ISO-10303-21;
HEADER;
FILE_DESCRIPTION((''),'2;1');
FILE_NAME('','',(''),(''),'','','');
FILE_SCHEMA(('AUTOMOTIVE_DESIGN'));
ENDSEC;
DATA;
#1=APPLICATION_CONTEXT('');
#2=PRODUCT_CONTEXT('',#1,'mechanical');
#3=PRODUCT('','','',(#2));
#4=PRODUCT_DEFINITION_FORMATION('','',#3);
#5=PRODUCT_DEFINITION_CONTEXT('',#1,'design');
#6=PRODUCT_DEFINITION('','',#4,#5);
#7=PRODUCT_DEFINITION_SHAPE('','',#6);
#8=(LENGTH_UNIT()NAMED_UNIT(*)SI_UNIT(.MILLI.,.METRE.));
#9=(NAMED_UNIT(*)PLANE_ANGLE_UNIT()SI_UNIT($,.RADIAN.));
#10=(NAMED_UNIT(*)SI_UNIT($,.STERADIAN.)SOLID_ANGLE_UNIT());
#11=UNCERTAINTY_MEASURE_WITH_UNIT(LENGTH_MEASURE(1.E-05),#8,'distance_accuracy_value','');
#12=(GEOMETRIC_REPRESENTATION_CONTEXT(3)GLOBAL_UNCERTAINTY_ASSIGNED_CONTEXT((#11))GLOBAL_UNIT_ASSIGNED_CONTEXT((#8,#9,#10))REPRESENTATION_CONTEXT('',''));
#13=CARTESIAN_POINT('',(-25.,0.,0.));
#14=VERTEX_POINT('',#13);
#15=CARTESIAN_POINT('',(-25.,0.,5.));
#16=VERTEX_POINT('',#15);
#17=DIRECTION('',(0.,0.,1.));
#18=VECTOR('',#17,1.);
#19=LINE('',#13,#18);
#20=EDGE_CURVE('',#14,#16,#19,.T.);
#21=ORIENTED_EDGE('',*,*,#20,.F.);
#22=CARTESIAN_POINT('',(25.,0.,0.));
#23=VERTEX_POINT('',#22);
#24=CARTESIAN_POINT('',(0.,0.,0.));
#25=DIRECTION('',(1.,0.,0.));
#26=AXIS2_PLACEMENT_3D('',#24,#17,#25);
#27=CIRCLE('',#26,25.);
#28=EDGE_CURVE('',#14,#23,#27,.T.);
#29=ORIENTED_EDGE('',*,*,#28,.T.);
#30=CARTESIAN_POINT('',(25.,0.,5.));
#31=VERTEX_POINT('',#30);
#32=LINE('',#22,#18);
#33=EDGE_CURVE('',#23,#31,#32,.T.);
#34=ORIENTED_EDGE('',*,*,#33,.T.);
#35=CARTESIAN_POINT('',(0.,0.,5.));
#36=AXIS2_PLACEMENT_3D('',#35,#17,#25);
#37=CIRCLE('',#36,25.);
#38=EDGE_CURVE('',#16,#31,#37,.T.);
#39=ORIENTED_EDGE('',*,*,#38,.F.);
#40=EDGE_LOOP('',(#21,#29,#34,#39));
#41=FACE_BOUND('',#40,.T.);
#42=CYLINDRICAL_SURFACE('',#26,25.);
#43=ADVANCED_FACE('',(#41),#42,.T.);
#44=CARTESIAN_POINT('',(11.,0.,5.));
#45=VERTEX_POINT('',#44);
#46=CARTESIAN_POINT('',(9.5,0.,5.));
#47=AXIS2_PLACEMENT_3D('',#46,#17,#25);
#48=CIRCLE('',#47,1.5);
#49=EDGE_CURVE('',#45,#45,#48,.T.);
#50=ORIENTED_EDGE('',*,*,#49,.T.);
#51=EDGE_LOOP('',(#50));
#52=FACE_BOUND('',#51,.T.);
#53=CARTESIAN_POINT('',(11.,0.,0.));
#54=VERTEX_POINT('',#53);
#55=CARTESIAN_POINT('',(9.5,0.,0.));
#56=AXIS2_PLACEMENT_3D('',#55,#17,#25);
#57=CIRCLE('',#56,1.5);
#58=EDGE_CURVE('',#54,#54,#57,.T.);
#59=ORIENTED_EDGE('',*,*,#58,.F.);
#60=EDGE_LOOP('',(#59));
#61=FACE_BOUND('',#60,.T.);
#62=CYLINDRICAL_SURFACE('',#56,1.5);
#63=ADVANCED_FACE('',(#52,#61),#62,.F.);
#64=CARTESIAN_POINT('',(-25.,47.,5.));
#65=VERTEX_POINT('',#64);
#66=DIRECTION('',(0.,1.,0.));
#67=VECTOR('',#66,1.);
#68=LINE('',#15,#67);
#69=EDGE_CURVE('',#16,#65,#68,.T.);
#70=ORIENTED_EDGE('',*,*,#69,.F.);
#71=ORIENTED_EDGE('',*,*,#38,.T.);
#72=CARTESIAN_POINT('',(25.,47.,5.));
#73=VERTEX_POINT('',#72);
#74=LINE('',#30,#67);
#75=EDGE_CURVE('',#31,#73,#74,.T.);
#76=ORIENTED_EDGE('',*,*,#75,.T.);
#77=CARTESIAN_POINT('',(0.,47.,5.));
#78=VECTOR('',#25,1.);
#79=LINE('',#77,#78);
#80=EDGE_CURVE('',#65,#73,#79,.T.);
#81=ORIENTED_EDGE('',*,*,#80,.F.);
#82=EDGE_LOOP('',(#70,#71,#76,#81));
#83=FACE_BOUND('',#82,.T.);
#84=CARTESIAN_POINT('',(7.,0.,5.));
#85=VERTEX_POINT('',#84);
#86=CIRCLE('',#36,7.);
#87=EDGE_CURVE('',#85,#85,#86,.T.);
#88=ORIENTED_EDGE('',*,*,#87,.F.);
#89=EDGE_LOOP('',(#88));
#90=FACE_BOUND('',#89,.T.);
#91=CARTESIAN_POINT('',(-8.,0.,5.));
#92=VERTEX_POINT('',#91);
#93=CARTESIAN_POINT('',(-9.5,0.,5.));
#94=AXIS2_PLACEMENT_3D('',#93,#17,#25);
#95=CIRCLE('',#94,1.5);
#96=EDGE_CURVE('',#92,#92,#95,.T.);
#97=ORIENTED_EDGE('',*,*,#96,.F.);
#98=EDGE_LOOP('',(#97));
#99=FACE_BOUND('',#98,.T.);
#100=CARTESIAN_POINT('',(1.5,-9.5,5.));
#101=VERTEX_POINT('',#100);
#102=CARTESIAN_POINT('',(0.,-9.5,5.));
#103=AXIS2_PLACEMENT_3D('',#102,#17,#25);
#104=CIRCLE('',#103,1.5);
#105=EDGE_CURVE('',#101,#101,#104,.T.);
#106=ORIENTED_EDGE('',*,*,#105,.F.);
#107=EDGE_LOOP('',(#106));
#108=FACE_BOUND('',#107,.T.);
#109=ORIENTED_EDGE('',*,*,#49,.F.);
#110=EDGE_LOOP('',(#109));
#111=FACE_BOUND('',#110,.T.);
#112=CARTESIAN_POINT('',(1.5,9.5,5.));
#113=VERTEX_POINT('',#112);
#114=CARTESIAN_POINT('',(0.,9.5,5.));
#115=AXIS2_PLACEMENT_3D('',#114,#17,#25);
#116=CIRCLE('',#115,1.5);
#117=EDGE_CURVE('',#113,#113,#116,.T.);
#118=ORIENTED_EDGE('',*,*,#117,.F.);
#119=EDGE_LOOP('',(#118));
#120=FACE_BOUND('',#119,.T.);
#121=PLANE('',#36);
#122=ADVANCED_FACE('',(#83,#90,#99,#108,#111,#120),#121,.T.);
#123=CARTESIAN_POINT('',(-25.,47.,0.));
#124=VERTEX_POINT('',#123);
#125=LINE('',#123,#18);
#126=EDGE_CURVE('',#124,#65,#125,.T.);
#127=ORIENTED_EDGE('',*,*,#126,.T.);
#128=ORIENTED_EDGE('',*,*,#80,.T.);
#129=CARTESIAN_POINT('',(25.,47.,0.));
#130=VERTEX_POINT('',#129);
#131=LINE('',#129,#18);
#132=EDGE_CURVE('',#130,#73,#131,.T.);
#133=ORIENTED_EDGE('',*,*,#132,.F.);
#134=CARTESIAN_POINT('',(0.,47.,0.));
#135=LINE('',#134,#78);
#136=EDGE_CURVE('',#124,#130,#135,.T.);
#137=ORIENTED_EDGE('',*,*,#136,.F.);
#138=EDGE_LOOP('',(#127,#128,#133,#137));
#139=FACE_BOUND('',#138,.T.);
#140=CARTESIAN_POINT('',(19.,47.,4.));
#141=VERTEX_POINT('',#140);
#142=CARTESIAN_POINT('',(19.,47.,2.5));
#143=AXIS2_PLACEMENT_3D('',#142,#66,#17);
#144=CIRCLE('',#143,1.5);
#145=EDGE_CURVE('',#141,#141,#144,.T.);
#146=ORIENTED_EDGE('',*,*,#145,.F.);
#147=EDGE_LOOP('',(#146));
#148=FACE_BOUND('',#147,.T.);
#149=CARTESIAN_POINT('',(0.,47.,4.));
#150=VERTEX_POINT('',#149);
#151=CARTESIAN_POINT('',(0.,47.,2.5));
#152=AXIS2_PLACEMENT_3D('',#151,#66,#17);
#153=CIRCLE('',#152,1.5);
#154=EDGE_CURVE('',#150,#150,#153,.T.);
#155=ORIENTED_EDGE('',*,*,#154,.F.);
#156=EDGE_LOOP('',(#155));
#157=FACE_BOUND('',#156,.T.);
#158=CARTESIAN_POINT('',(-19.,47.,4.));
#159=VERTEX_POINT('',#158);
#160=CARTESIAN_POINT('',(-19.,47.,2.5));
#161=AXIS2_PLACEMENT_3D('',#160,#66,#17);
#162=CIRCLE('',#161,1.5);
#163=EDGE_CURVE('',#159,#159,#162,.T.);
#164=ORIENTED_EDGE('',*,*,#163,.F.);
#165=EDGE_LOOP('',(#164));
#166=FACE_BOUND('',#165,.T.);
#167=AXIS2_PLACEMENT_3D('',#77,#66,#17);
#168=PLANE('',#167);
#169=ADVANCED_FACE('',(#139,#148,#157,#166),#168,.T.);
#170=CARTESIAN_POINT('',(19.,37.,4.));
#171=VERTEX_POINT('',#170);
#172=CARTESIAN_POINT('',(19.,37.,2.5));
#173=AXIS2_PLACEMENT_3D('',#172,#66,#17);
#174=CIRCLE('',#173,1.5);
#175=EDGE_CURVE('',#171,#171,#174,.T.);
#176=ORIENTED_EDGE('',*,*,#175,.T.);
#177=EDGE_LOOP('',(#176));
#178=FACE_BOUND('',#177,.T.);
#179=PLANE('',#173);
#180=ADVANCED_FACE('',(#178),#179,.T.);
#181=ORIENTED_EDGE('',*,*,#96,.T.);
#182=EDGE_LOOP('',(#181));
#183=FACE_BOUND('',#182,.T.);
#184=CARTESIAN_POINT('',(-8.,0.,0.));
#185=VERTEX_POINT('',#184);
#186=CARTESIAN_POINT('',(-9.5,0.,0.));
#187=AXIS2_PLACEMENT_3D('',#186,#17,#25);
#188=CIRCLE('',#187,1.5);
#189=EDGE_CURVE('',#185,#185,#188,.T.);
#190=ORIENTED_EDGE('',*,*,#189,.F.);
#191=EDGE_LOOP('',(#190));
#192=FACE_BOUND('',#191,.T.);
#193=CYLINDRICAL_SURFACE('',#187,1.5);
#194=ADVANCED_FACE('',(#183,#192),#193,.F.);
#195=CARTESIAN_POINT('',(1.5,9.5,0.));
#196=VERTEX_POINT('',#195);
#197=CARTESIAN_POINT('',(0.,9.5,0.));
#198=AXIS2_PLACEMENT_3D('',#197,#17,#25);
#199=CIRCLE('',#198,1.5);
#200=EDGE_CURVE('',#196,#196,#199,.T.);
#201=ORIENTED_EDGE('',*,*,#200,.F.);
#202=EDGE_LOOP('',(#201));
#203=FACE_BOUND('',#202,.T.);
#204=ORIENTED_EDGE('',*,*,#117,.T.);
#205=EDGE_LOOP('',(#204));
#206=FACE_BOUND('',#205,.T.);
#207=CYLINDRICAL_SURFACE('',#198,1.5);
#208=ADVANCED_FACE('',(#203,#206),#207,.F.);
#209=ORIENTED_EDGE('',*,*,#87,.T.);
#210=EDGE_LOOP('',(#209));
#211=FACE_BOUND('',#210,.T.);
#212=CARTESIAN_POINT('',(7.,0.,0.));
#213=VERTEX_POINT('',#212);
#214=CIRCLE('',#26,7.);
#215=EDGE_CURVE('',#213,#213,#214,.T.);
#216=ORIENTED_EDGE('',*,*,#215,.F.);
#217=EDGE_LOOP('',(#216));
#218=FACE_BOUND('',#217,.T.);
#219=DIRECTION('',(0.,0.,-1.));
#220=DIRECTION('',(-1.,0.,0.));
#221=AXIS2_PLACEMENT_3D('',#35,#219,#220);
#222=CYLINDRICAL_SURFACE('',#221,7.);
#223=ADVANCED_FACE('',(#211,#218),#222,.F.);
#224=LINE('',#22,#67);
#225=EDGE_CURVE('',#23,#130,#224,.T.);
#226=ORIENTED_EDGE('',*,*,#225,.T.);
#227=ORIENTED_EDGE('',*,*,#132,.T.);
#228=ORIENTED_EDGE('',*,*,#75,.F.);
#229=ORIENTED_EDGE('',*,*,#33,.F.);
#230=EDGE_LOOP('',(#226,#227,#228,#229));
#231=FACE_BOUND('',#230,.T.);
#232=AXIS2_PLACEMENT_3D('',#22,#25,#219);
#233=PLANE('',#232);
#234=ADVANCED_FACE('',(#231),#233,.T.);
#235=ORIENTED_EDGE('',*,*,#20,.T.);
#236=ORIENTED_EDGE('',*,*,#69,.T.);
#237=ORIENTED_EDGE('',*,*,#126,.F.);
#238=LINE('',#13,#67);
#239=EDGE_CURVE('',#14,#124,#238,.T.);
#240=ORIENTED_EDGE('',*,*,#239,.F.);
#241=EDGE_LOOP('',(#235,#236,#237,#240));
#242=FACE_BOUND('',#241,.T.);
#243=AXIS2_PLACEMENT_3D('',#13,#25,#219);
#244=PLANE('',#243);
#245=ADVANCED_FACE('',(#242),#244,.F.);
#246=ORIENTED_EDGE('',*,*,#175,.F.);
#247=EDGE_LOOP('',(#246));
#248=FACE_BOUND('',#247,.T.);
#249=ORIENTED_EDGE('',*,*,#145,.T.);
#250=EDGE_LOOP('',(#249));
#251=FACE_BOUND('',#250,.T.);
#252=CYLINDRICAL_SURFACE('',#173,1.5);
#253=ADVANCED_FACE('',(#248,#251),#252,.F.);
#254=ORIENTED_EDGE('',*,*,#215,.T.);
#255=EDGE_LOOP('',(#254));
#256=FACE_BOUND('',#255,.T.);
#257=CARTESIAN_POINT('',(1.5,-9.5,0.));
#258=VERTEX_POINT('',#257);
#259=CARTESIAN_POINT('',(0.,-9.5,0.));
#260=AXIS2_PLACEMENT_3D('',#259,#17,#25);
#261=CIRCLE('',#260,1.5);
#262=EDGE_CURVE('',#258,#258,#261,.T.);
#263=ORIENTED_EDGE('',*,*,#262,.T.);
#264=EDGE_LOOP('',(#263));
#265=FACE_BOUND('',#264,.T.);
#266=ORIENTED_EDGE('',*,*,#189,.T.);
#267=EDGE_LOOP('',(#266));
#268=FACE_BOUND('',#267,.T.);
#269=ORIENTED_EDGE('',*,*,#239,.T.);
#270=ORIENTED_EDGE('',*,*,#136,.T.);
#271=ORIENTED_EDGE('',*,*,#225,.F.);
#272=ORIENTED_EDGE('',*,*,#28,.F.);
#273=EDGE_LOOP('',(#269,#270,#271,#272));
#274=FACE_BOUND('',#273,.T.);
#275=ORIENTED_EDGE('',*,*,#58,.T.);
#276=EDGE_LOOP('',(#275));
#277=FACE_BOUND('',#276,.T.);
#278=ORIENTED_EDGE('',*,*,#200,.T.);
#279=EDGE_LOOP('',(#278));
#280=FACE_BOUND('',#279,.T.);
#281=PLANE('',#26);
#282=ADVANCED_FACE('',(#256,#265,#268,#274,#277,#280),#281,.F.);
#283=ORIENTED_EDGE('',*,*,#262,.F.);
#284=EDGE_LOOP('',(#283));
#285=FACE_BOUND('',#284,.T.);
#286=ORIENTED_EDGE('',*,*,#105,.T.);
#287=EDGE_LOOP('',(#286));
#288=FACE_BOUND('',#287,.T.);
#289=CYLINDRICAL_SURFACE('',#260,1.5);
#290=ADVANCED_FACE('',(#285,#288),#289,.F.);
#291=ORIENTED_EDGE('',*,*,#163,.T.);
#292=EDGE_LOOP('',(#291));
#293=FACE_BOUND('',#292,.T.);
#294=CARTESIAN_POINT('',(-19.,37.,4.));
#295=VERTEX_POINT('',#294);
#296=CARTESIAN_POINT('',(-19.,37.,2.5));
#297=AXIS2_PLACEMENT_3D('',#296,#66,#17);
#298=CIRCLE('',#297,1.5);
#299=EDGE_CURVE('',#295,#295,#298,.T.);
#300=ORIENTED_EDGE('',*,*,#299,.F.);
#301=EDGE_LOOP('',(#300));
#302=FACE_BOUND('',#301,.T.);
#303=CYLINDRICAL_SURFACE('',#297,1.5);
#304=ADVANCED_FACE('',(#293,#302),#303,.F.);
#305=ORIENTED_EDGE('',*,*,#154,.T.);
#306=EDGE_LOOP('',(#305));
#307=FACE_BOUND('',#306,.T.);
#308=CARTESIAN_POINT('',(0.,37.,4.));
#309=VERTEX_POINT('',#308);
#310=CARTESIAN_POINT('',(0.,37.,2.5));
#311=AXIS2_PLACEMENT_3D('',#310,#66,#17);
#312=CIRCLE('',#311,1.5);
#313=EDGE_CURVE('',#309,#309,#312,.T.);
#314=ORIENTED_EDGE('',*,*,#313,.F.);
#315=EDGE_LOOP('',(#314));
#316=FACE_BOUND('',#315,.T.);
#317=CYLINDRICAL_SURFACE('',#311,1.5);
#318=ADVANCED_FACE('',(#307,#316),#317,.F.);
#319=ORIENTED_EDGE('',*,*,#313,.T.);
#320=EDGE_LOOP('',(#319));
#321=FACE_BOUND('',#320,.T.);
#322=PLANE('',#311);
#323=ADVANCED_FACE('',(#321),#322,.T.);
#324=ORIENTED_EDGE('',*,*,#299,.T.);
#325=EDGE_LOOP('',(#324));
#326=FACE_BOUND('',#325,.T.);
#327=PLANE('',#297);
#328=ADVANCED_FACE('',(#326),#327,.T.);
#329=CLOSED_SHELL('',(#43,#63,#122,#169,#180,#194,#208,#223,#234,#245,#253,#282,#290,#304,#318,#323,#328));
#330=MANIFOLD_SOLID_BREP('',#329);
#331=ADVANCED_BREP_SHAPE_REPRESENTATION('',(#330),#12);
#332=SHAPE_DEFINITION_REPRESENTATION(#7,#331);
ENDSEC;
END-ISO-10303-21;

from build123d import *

# Parameters (mm, degrees)
ESQUISSE1_W             = 94
ESQUISSE1_H             = 93.807810261
ESQUISSE1_R             = 7
BOSS_EXTRU_1_DEPTH      = 5
ESQUISSE2_R             = 1.5
ENL_V_MAT_EXTRU_1_DEPTH = 67.655832453
ESQUISSE3_R             = 1.5
ENL_V_MAT_EXTRU_2_DEPTH = 10


with BuildPart() as part:
    # Esquisse1 → Boss.-Extru.1 (new body)
    with BuildSketch(Plane.XY):
        with Locations((0, 0.096094869)):
            Rectangle(ESQUISSE1_W, ESQUISSE1_H)
        Circle(ESQUISSE1_R, mode=Mode.SUBTRACT)
    extrude(amount=BOSS_EXTRU_1_DEPTH)

    # Esquisse2 → Enlèv. mat.-Extru.1 (cut, through all)
    with BuildSketch(Plane.XY.offset(5)):
        with Locations((9.5, 0)):
            Circle(ESQUISSE2_R)
        with BuildLine():
            Line((25, 47), (25, 0))
            ThreePointArc((25, 0), (0, -25), (-25, 0))
            Line((-25, 0), (-25, 47))
            Line((-25, 47), (-47, 47))
            Line((-47, 47), (-47, -46.807810261))
            Line((-47, -46.807810261), (47, -46.807810261))
            Line((47, -46.807810261), (47, 47))
            Line((47, 47), (25, 47))
        make_face()
        with Locations((-9.5, 0)):
            Circle(ESQUISSE2_R)
        with Locations((0, 9.5)):
            Circle(ESQUISSE2_R)
        with Locations((0, -9.5)):
            Circle(ESQUISSE2_R)
    extrude(amount=-ENL_V_MAT_EXTRU_1_DEPTH, mode=Mode.SUBTRACT)

    # Esquisse3 → Enlèv. mat.-Extru.2 (cut)
    with BuildSketch(Plane(origin=(0, 47, 0), x_dir=(1, 0, 0), z_dir=(0, 1, 0))):
        with Locations(Location((0, -2.5, 0), (0, 0, 270))):
            Circle(ESQUISSE3_R)
        with Locations(Location((-19, -2.5, 0), (0, 0, 270))):
            Circle(ESQUISSE3_R)
        with Locations(Location((19, -2.5, 0), (0, 0, 270))):
            Circle(ESQUISSE3_R)
    extrude(amount=-ENL_V_MAT_EXTRU_2_DEPTH, mode=Mode.SUBTRACT)


solid = part.part
